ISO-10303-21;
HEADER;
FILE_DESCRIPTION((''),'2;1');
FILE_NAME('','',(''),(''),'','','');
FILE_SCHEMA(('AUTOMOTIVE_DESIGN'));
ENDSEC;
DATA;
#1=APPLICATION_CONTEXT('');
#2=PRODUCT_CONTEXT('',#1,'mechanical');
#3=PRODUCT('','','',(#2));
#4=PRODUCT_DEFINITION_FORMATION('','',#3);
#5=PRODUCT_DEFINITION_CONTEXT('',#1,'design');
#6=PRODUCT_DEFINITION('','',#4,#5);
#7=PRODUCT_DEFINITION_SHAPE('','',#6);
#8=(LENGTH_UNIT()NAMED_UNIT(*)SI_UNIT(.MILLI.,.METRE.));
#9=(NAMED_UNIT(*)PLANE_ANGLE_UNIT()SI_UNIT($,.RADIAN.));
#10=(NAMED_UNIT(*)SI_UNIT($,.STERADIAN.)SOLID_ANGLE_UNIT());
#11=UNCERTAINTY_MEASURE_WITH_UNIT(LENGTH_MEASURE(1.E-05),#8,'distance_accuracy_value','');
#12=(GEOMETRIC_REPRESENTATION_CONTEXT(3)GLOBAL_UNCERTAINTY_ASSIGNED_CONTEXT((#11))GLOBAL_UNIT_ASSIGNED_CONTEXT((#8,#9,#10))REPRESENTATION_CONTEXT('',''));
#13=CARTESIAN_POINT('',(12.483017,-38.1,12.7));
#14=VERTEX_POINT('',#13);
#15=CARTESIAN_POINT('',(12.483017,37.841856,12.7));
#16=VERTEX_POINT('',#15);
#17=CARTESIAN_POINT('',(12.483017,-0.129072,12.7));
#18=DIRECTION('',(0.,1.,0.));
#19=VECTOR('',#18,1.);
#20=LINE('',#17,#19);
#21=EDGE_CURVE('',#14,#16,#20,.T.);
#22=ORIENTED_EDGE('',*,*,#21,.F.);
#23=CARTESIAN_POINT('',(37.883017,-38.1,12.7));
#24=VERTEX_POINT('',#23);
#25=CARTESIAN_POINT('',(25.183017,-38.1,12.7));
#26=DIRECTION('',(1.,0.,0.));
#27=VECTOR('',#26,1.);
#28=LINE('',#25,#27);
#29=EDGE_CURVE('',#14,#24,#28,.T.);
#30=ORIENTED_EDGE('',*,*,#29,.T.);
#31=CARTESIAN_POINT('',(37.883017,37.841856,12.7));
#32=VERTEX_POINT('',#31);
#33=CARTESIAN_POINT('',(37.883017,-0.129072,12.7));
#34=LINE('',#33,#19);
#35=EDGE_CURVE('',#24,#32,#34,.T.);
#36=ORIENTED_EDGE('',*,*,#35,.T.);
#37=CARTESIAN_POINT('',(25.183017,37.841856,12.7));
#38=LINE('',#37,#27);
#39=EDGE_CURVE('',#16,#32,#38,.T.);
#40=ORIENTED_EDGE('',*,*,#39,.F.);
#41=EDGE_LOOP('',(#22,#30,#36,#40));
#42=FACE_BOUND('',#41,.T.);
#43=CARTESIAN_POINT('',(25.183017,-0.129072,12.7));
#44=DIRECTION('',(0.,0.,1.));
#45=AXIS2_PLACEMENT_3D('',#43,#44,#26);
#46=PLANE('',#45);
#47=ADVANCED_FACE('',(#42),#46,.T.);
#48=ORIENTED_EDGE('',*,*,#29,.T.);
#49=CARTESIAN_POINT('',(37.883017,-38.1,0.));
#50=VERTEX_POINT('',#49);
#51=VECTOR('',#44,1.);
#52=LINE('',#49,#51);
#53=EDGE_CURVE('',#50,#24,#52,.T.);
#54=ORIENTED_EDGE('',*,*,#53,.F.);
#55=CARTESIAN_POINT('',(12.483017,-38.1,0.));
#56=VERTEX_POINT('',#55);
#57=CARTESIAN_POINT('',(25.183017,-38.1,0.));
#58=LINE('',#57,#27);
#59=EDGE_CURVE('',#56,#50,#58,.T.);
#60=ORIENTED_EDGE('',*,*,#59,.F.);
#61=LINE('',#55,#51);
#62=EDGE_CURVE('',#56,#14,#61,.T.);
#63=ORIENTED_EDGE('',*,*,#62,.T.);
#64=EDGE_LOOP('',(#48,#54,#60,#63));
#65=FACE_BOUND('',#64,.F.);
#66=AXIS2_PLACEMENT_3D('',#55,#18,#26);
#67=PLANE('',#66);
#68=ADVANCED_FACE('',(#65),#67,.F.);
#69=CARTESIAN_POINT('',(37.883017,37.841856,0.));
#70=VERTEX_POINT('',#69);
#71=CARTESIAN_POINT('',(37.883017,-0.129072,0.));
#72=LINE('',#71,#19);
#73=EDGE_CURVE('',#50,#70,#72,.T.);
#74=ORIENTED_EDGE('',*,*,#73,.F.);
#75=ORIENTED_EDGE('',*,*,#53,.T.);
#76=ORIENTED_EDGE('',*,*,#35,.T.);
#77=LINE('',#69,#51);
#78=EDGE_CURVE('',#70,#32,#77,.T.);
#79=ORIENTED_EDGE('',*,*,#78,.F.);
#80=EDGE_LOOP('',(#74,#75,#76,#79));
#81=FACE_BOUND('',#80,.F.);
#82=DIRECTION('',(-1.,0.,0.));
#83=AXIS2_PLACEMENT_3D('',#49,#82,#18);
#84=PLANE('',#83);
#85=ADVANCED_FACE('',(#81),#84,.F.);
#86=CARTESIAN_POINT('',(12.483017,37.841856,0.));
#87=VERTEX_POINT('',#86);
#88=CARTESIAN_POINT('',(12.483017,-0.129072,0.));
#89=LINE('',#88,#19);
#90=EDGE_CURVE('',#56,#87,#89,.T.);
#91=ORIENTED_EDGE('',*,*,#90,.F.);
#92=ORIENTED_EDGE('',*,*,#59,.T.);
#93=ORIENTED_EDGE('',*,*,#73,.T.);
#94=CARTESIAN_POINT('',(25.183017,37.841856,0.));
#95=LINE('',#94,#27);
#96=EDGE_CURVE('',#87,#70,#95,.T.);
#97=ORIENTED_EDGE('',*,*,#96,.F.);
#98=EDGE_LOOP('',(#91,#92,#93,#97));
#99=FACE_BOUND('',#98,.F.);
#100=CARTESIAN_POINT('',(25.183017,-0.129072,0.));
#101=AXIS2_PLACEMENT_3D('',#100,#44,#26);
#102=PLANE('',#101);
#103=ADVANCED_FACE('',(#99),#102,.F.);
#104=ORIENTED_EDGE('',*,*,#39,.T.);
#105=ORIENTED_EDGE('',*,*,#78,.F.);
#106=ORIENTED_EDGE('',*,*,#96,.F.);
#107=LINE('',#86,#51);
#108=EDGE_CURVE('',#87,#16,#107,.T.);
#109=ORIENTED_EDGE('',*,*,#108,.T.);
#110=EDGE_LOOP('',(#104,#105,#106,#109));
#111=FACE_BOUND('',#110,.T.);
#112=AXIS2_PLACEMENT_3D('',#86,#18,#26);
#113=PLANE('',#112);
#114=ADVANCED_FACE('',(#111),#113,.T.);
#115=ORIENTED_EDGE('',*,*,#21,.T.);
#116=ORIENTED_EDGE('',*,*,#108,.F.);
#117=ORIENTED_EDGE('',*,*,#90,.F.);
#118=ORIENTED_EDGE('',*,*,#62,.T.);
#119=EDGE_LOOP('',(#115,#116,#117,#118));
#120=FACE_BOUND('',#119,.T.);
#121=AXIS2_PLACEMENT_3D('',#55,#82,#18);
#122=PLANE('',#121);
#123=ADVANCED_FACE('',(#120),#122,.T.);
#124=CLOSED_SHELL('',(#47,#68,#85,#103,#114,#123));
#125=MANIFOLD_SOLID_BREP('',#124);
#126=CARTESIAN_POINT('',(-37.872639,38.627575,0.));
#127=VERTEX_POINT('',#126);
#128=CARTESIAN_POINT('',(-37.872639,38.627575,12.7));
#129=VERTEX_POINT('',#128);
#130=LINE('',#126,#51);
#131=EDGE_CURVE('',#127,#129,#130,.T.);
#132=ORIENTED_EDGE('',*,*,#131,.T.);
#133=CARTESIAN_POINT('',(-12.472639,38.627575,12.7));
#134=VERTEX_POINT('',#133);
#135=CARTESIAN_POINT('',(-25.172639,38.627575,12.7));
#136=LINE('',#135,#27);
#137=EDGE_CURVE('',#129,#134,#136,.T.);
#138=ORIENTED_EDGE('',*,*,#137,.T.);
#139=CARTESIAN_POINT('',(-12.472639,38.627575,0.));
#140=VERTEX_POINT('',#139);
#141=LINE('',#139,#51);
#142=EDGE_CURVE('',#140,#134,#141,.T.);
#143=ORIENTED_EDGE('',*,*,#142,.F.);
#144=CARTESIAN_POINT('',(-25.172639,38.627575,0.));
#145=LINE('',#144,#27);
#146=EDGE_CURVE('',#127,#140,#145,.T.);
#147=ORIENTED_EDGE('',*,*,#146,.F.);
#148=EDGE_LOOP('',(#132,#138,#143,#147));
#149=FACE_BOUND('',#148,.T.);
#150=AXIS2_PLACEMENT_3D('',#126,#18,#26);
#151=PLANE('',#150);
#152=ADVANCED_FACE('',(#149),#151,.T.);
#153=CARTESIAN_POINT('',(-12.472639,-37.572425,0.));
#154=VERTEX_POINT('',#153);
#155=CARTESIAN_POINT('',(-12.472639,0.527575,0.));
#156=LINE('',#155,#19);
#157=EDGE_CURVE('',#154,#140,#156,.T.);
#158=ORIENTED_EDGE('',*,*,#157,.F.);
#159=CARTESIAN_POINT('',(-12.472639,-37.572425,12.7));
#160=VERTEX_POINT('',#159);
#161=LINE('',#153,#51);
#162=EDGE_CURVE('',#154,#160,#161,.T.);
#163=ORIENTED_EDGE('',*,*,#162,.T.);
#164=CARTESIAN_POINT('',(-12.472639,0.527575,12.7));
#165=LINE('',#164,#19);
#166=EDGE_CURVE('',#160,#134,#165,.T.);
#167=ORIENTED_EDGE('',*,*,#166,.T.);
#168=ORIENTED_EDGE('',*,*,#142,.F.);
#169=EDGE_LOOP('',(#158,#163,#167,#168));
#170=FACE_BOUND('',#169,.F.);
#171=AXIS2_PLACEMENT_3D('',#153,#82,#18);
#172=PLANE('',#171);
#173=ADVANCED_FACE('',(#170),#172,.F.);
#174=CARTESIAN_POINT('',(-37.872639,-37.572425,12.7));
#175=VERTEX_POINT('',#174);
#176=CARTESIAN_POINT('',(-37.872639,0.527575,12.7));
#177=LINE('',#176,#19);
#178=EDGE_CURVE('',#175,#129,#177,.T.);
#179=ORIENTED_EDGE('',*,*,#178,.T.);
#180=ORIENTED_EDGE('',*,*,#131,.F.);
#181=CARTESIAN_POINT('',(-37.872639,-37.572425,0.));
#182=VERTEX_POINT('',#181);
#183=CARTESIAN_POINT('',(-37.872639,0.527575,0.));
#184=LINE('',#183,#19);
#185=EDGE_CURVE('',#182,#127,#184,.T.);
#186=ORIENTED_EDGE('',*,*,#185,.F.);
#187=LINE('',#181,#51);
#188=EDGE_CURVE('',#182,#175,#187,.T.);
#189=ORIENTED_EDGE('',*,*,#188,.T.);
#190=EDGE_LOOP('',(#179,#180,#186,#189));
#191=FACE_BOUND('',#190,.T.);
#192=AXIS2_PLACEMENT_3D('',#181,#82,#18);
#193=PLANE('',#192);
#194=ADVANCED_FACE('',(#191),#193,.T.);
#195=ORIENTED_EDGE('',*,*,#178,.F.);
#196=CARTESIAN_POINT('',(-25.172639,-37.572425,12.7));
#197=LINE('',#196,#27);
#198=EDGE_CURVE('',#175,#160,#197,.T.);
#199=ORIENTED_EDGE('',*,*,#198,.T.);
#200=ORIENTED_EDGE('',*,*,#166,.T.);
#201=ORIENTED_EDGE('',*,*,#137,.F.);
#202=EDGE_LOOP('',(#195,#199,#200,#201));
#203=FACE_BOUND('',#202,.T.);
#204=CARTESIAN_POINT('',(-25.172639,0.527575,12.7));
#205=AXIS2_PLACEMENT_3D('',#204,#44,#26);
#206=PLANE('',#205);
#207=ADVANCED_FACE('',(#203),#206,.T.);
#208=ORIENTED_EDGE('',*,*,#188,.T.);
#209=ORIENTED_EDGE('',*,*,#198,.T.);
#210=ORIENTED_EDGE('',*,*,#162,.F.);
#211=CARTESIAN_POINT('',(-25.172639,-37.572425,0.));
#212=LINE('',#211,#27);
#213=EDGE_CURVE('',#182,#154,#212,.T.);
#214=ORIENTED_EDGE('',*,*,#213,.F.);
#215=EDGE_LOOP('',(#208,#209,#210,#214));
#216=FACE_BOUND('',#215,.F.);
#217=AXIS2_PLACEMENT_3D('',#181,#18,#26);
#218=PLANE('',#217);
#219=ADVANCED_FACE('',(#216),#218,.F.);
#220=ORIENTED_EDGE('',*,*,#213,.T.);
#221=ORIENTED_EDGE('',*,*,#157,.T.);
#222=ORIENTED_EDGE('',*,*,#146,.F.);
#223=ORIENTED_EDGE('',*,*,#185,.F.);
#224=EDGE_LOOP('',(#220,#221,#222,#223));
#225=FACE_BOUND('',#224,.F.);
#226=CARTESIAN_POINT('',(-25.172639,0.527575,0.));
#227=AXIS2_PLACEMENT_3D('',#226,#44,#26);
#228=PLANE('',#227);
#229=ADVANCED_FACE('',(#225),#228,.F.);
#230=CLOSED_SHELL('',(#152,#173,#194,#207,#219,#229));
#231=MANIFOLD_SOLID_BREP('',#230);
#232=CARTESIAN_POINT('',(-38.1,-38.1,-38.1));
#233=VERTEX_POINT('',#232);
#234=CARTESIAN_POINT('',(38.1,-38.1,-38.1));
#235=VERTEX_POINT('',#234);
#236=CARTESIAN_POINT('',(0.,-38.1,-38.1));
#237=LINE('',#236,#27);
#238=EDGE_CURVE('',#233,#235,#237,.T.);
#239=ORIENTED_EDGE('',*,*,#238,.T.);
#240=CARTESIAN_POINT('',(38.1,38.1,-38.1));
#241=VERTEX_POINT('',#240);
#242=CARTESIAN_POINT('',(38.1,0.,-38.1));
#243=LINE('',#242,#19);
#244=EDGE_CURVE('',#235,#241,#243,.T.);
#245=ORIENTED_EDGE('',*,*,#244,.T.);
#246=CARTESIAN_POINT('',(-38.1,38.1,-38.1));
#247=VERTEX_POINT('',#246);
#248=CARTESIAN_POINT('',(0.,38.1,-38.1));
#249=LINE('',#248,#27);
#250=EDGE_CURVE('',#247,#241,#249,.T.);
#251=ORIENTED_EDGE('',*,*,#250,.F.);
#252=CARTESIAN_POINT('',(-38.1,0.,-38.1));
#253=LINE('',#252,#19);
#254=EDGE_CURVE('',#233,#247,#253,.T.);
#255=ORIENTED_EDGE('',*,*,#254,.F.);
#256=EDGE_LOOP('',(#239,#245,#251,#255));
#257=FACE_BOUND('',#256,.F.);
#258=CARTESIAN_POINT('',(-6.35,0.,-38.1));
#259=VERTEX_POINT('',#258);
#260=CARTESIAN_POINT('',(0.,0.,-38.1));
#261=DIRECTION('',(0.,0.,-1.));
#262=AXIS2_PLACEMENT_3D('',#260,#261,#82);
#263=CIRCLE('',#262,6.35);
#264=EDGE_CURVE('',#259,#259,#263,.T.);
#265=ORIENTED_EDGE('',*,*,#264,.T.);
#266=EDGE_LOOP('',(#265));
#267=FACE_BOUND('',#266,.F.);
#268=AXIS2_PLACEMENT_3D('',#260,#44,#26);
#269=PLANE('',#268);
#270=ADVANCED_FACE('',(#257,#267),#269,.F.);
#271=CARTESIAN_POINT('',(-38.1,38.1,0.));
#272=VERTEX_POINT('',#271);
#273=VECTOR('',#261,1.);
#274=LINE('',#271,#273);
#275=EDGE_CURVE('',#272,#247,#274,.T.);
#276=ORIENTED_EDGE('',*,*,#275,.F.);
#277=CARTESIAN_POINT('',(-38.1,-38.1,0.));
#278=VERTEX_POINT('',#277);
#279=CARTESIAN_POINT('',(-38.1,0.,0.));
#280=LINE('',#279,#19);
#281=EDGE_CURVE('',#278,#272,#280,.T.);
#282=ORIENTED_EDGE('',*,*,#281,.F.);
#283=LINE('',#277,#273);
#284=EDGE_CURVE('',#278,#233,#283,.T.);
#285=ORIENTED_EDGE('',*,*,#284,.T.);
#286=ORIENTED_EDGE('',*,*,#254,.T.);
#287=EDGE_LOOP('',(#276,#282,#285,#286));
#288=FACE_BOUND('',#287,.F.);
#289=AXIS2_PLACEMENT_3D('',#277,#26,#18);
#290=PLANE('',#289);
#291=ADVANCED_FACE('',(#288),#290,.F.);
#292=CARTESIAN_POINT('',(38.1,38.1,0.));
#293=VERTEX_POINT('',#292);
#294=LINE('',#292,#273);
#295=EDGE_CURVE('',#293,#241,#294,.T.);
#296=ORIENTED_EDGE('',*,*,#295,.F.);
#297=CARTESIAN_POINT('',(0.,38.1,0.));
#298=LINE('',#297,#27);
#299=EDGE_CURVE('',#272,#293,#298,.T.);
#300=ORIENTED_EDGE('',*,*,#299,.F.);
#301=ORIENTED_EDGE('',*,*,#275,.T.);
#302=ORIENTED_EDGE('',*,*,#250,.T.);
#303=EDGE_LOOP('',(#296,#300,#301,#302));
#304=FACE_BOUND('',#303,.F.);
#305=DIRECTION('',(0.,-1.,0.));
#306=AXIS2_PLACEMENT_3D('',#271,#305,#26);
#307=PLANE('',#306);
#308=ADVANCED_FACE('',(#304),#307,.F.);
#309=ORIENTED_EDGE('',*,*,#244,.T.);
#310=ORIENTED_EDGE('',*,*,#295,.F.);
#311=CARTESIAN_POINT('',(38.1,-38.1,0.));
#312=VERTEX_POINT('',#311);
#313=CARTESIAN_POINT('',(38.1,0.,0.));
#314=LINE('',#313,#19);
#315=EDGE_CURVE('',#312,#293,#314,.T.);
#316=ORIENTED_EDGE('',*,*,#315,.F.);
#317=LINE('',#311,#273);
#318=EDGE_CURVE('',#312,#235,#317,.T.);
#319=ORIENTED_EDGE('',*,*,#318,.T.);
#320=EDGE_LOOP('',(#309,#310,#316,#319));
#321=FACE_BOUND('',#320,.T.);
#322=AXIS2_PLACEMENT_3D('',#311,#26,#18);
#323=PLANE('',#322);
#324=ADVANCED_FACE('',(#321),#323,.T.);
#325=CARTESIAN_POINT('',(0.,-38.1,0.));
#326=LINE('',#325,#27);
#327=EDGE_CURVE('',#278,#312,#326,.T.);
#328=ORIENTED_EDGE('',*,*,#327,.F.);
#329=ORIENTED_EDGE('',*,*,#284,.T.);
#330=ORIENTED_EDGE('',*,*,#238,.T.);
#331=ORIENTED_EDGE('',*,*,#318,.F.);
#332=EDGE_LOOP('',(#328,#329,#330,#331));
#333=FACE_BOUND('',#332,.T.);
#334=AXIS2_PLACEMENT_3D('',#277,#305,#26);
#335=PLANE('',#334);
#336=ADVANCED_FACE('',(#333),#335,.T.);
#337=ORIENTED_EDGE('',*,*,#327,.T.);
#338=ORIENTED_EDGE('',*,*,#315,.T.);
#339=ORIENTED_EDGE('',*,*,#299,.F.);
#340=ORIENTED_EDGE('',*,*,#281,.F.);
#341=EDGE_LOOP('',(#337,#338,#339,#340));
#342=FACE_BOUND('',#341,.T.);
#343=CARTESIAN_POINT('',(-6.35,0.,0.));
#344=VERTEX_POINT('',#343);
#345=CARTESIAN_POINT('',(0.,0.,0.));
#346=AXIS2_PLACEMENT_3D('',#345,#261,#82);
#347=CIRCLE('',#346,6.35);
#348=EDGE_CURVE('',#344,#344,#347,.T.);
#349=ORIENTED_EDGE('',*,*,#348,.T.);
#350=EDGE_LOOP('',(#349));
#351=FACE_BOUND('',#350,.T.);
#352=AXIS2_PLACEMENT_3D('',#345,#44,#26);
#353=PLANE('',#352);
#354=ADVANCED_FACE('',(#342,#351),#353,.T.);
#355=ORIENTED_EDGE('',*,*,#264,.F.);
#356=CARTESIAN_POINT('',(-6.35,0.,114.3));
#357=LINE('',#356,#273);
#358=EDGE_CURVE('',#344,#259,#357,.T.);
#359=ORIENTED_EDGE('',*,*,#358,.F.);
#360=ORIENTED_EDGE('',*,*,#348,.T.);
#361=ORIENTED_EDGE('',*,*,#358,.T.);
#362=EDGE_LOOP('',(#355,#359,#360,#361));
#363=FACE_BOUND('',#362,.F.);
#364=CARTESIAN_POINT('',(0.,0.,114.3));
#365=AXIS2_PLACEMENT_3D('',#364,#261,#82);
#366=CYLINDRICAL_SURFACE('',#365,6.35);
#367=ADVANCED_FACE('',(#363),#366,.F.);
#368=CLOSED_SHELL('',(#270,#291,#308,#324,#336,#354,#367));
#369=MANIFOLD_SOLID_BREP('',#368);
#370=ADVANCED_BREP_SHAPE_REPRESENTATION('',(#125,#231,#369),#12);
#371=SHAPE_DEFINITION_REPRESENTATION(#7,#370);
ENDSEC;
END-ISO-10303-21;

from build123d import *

# Parameters (mm, degrees)
F1_W     = 25.4
F1_H     = 75.941856
F2_DEPTH = 12.7
F3_W     = 25.4
F3_H     = 76.2
F4_DEPTH = 12.7
F0_W     = 76.2
F0_H     = 76.2
F5_DEPTH = 38.1
F7_D     = 12.7


with BuildPart() as f2:
    # F1 (on face) → F2 (new body)
    with BuildSketch(Plane.XY):
        with Locations((25.183017, -0.129072)):
            Rectangle(F1_W, F1_H)
    extrude(amount=F2_DEPTH)


with BuildPart() as f4:
    # F3 (on face) → F4 (new body)
    with BuildSketch(Plane.XY):
        with Locations((-25.172639, 0.527575)):
            Rectangle(F3_W, F3_H)
    extrude(amount=F4_DEPTH)


with BuildPart() as f5:
    # F0 (on Top) → F5 (new body)
    with BuildSketch(Plane.XY):
        Rectangle(F0_W, F0_H)
    extrude(amount=-F5_DEPTH)

    # F7 (through all)
    with Locations(Plane.XY):
        with Locations((0, 0)):
            Hole(F7_D / 2)


solid = Compound([f2.part, f4.part, f5.part])
